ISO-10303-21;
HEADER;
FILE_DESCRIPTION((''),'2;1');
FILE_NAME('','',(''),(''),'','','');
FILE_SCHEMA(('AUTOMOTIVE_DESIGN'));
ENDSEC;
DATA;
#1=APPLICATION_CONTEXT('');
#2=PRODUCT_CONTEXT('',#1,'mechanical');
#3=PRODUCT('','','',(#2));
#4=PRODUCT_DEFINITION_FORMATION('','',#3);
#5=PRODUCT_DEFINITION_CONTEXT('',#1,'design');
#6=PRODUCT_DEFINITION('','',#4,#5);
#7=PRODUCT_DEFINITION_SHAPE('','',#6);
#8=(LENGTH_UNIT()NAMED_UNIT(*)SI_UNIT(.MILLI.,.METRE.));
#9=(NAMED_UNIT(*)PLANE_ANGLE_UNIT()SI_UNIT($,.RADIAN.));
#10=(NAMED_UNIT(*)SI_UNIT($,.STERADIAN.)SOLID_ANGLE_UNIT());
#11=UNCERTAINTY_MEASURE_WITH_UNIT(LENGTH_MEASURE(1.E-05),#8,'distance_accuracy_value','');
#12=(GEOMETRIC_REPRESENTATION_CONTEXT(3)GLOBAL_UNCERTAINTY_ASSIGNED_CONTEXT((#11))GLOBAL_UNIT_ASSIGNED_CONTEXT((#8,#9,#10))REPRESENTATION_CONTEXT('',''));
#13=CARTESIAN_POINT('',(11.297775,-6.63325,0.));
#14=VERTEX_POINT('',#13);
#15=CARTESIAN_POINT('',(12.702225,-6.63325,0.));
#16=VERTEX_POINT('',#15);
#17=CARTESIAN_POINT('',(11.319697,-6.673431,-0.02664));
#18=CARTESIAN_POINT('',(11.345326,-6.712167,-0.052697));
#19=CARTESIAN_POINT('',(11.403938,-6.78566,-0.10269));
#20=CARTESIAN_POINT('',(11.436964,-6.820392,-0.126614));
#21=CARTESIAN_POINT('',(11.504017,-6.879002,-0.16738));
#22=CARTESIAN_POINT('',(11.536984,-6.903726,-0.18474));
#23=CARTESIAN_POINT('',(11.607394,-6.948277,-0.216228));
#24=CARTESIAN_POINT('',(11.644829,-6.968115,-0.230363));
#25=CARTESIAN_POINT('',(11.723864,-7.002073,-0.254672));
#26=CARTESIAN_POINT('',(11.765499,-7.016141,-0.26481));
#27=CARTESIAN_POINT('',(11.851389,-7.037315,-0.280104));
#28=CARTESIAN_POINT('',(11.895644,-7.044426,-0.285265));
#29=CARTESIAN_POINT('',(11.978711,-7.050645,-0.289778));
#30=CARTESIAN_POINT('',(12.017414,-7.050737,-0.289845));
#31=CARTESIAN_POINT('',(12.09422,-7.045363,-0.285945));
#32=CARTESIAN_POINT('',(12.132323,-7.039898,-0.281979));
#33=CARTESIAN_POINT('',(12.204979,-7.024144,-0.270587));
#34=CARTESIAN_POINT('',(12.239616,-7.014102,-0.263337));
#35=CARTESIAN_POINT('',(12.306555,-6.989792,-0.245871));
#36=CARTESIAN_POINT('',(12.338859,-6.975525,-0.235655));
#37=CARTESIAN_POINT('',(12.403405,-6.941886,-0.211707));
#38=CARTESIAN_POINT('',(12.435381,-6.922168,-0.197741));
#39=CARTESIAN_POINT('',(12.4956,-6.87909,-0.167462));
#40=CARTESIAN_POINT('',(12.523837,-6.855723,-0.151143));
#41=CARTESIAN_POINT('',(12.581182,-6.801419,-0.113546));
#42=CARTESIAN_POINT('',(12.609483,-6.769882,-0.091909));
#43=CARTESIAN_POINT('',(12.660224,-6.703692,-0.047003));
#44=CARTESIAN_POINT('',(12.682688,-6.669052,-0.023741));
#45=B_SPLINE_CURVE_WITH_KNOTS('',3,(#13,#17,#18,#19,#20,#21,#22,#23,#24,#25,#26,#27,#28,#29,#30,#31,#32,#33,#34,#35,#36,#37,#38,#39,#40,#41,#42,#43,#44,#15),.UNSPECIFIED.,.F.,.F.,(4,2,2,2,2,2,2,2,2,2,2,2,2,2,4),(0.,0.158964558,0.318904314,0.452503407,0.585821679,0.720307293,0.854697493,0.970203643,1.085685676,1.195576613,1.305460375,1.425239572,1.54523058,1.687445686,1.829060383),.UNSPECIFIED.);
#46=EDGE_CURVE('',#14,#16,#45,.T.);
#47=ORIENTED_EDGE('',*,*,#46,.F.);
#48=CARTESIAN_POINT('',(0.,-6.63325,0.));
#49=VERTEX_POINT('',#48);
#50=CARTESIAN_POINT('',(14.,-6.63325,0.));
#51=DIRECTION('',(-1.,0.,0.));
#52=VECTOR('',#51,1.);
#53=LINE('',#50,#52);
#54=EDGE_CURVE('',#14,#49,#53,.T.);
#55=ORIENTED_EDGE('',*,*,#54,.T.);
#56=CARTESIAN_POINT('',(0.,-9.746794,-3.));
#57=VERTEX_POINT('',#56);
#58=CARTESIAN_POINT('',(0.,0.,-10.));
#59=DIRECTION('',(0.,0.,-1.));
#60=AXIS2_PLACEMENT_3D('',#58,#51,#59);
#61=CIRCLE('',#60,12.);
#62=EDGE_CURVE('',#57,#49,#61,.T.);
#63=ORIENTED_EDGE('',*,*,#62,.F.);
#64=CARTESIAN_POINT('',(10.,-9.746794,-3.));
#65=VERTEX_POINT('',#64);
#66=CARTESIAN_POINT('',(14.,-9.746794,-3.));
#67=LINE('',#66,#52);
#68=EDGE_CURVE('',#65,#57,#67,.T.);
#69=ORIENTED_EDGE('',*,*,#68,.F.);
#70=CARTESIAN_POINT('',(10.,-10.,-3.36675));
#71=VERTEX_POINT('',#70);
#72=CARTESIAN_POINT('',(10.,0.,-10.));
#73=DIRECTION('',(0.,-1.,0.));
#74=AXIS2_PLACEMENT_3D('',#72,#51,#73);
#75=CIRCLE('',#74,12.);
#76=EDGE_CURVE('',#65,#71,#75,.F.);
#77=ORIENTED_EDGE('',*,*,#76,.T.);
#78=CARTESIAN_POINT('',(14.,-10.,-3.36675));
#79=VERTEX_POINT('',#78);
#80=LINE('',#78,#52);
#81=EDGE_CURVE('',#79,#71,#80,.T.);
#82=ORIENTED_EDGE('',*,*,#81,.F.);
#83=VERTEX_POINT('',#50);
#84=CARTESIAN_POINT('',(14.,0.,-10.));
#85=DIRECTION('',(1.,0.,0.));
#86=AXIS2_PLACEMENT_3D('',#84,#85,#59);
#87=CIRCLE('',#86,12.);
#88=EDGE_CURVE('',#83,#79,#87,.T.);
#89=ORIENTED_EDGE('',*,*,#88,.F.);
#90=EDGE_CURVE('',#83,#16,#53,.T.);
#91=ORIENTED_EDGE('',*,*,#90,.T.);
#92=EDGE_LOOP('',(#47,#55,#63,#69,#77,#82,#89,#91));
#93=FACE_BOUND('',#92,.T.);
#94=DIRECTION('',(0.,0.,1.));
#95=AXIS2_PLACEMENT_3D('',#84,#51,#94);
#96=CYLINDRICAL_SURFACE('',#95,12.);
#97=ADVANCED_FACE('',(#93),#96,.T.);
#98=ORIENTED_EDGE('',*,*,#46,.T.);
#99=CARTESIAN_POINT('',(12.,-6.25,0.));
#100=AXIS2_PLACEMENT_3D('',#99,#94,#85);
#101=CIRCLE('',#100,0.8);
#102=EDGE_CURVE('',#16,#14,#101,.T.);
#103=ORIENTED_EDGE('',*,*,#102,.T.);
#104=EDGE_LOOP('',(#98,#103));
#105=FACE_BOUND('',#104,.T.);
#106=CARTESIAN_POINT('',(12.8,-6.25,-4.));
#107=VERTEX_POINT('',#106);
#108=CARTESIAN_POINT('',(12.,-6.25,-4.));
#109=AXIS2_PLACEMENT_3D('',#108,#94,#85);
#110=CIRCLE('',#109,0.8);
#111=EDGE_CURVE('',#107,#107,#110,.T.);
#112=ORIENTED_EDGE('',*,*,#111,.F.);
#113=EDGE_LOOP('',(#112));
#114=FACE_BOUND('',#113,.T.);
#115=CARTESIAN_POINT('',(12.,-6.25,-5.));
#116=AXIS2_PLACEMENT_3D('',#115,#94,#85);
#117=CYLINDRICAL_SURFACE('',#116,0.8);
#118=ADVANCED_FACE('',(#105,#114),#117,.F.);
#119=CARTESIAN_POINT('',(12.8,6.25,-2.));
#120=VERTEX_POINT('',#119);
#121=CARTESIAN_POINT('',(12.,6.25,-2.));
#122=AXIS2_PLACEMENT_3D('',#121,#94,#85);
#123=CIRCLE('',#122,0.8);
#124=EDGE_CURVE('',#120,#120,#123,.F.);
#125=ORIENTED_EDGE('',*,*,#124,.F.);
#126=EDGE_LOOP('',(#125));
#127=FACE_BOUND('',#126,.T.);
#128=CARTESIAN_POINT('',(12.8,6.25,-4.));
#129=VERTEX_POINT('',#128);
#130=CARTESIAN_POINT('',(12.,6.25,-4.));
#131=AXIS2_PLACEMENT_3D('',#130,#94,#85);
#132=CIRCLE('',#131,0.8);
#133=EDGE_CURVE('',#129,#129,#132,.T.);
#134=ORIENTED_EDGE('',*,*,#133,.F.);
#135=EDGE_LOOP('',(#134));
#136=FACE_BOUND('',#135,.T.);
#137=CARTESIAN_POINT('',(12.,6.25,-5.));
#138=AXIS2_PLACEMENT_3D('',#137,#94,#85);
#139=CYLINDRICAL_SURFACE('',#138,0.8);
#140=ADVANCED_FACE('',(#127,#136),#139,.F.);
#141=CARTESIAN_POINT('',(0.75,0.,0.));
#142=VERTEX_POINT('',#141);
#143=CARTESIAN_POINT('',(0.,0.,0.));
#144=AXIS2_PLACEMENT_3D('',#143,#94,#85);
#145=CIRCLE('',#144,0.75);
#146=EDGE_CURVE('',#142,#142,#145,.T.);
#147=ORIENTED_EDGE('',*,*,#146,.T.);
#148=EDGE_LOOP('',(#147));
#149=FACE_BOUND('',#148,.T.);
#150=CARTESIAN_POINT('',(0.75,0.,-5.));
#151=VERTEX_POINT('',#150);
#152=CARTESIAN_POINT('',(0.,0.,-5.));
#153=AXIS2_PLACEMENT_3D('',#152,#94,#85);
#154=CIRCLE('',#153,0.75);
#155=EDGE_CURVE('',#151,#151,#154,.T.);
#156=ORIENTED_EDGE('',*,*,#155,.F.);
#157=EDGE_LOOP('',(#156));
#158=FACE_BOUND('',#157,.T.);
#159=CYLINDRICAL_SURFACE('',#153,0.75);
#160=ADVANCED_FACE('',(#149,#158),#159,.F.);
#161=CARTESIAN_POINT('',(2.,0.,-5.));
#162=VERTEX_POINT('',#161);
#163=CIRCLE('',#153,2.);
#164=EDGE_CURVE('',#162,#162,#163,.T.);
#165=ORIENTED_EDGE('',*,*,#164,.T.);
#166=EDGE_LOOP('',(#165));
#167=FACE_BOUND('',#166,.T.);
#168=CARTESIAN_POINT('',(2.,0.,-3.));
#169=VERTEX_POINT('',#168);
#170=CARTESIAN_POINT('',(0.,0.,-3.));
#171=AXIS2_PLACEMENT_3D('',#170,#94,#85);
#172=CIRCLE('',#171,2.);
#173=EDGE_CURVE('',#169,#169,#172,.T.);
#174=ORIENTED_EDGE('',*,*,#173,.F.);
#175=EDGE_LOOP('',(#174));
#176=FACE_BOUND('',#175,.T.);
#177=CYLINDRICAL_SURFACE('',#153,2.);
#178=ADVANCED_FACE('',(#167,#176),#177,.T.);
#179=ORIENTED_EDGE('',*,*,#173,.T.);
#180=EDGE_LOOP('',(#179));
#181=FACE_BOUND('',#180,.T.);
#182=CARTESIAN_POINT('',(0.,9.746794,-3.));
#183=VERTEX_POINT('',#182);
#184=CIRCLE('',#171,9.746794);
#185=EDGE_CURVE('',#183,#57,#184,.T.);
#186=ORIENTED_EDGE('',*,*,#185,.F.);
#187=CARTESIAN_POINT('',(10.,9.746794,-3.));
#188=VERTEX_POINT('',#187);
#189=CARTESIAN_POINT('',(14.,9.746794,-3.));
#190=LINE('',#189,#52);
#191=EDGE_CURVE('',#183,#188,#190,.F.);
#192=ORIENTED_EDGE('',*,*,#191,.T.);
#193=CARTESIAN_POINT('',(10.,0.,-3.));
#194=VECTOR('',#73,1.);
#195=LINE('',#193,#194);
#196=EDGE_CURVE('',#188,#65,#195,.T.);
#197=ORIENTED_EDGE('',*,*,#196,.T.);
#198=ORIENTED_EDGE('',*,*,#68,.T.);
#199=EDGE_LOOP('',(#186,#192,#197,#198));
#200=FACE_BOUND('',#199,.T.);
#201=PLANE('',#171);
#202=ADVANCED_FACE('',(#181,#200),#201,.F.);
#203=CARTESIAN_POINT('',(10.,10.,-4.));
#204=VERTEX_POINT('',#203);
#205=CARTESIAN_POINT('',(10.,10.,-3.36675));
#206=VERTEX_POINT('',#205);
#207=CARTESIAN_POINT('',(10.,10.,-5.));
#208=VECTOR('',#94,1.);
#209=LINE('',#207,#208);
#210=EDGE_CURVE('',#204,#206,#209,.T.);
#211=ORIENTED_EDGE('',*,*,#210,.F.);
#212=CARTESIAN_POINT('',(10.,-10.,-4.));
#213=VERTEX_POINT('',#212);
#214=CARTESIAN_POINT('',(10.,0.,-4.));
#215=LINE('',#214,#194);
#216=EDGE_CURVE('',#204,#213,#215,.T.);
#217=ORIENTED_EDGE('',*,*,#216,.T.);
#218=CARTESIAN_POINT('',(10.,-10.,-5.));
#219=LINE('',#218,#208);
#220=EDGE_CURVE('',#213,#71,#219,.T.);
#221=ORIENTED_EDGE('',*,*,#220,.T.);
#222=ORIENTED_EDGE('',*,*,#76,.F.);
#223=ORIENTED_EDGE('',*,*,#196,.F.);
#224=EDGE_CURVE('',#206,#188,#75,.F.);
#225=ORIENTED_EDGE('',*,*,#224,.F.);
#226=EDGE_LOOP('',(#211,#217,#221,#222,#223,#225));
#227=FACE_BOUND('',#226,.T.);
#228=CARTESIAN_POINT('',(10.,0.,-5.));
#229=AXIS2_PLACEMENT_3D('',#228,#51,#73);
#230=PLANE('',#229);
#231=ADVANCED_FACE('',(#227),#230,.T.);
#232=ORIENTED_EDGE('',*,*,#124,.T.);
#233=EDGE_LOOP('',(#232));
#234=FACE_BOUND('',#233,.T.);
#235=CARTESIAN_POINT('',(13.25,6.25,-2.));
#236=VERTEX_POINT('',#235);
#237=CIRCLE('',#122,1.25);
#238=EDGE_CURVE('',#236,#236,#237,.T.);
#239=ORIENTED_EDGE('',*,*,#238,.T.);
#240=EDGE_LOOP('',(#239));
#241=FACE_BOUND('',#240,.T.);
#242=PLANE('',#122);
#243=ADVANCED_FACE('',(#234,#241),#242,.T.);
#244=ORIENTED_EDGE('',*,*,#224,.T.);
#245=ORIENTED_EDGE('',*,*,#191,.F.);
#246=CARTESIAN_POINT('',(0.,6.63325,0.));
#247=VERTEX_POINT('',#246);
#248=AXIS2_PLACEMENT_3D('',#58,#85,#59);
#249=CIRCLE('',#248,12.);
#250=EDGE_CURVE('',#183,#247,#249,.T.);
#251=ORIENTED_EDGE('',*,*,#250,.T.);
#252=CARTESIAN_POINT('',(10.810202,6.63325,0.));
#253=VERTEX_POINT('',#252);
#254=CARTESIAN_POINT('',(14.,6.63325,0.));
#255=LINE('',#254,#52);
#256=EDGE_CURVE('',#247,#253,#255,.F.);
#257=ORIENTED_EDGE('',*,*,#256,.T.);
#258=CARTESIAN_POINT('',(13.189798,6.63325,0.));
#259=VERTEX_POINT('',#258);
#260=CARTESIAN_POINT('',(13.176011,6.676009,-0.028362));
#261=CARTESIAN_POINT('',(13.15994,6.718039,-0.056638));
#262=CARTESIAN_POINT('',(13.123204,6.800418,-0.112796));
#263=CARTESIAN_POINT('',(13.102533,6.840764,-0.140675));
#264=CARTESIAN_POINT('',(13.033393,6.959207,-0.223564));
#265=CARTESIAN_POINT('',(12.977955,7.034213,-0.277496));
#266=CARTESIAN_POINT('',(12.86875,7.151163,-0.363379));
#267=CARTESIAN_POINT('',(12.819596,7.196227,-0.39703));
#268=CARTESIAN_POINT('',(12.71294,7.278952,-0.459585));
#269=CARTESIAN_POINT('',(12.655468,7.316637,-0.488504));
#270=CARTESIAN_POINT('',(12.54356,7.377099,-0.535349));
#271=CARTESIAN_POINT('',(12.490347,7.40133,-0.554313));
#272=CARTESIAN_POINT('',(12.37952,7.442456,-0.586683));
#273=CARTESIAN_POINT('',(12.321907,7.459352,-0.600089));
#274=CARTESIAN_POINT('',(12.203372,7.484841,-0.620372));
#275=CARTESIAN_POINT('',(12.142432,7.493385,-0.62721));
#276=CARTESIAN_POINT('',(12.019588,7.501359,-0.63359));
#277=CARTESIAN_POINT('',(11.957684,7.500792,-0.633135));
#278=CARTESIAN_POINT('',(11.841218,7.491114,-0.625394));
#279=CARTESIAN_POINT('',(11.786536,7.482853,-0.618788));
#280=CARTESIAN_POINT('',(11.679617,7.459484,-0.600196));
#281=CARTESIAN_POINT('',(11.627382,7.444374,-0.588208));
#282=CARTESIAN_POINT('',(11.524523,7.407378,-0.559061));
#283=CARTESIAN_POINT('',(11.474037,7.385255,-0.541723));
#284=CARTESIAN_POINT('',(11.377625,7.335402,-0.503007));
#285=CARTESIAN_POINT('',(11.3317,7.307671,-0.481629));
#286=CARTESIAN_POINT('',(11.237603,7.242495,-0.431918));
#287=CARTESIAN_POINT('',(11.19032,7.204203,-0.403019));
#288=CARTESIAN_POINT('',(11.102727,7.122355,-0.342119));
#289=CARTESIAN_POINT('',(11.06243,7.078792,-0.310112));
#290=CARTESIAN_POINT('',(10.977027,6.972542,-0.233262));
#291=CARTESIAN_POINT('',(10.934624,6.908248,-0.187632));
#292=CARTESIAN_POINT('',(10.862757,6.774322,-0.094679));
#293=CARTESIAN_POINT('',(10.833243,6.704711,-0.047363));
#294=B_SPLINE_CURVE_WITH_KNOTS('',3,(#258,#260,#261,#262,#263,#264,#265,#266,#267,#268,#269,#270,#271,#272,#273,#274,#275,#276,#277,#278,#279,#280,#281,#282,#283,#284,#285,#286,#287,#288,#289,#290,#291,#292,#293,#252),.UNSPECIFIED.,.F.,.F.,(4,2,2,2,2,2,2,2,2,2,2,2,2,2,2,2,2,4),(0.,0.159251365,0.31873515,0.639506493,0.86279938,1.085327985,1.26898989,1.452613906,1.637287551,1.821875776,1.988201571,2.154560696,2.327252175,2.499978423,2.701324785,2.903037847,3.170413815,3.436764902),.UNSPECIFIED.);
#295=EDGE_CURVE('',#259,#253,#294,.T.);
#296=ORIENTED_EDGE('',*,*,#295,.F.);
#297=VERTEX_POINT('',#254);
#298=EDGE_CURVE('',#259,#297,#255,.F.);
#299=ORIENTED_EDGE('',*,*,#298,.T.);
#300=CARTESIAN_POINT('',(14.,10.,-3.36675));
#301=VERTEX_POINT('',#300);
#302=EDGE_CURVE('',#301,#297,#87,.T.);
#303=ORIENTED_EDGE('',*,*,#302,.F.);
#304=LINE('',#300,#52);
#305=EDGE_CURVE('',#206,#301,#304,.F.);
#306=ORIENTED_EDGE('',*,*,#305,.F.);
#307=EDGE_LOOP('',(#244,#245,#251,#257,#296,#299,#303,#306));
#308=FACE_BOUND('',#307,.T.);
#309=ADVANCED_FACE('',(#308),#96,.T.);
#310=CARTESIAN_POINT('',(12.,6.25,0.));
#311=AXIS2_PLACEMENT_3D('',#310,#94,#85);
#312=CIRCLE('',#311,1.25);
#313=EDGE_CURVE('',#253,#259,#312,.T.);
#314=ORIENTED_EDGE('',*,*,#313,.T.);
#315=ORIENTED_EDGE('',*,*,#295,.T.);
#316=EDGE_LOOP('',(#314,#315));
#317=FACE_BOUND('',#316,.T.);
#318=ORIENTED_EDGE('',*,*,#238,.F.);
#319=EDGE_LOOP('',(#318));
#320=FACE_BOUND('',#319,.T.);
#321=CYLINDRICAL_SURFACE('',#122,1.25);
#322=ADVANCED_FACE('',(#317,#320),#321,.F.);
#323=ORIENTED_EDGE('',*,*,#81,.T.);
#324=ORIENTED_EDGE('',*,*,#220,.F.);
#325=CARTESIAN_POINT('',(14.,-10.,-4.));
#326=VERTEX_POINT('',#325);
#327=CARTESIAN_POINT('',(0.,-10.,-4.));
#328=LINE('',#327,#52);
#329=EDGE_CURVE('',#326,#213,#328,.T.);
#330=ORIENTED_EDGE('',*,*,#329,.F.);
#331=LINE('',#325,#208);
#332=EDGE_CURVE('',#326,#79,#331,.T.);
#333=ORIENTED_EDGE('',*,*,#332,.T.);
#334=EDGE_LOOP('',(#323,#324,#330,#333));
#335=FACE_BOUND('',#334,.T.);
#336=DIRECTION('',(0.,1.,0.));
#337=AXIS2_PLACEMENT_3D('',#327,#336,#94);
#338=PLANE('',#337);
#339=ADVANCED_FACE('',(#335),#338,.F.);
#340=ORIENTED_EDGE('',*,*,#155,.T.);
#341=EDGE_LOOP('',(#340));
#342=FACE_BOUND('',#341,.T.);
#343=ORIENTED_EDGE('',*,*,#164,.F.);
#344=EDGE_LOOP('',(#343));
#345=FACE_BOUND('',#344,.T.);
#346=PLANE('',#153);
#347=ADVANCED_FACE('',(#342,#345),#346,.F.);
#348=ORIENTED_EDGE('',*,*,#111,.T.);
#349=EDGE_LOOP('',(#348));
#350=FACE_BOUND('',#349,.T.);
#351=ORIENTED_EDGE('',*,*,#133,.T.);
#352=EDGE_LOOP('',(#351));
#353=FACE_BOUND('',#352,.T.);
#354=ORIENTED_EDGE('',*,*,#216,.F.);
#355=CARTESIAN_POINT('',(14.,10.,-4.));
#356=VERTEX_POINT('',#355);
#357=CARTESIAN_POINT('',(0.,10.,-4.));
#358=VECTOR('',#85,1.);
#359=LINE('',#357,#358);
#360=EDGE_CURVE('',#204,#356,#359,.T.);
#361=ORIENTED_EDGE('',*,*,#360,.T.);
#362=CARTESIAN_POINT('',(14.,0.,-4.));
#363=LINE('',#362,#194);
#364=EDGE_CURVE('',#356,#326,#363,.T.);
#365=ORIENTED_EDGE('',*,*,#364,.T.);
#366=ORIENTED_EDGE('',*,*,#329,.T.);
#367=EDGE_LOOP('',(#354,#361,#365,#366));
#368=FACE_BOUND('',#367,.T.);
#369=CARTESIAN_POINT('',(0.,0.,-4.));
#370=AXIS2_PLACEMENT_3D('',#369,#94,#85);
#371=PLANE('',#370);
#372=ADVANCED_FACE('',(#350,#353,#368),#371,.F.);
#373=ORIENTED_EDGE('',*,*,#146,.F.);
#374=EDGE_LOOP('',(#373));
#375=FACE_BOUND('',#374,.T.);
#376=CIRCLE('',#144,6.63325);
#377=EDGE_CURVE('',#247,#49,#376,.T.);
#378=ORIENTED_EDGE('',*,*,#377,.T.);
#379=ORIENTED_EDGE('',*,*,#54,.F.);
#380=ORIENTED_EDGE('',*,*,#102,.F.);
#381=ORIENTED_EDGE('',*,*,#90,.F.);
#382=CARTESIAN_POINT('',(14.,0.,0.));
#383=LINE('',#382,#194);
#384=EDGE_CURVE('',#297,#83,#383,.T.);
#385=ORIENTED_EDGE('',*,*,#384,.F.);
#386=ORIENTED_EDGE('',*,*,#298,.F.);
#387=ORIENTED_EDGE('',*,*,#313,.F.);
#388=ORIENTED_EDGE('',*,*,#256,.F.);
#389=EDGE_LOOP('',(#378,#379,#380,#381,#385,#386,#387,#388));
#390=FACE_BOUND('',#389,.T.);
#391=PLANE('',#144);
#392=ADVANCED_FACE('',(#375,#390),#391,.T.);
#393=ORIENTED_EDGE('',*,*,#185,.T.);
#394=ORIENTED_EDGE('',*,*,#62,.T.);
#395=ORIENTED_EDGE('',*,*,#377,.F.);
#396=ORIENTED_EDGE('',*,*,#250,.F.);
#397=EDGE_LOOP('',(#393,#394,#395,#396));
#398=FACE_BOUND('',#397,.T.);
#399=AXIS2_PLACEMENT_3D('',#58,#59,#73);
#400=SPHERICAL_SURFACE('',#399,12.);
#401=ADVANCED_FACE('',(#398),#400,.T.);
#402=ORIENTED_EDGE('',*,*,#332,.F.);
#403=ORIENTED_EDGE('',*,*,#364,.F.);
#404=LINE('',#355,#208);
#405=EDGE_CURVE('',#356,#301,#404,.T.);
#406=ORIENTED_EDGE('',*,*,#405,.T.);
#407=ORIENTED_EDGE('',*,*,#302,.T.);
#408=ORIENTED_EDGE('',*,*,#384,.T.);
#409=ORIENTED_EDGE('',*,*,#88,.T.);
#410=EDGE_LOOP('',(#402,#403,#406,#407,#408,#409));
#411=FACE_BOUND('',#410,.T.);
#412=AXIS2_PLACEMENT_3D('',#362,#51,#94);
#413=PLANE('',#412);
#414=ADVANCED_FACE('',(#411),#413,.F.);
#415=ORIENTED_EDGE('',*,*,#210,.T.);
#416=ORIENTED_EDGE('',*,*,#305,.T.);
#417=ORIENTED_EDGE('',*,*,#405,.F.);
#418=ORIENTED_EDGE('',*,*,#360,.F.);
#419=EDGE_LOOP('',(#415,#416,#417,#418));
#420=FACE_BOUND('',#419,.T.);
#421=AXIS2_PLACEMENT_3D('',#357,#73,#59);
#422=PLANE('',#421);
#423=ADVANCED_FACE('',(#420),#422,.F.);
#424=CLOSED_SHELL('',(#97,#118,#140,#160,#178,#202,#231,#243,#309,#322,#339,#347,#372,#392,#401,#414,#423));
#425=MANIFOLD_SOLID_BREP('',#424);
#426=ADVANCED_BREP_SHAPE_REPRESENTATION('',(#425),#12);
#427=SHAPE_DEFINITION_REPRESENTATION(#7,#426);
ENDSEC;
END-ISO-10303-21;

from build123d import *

# Parameters (mm, degrees)
SKETCH1_R           = 10
BOSS_EXTRUDE1_DEPTH = 4
BODY_START          = -3
SKETCH2_R           = 10
BODY_HOLE_DEPTH     = 2
BOSS_EXTRUDE2_START = -3
SKETCH11_R          = 2
BOSS_EXTRUDE2_DEPTH = 2
SKETCH4_R           = 0.75
CUT_EXTRUDE2_DEPTH  = 6
SKETCH3_R           = 0.8
SCREW_HOLES_DEPTH   = 6
SKETCH6_R           = 1.25
SCREW_HEADS_DEPTH   = 2
CUT_REVOLVE1_ANGLE  = 180
CUT_EXTRUDE1_DEPTH  = 15.000000004


with BuildPart() as part:
    # Sketch1 → Boss-Extrude1 (new body)
    with BuildSketch(Plane.XY):
        with Locations((4e-09, 0)):
            Circle(SKETCH1_R)
        with BuildLine():
            Line((14.000000004, 10), (4e-09, 10))
            ThreePointArc((4e-09, 10), (7.071067816, 7.071067812), (10.000000004, 0))
            ThreePointArc((10.000000004, 0), (7.071067816, -7.071067812), (4e-09, -10))
            Line((4e-09, -10), (14.000000004, -10))
            Line((14.000000004, -10), (14.000000004, 10))
        make_face()
    extrude(amount=-BOSS_EXTRUDE1_DEPTH)

    # Sketch2 → Body Hole (cut)
    with BuildSketch(Plane.XY.offset(BODY_START)):
        with Locations((4e-09, 0)):
            Circle(SKETCH2_R)
        with BuildLine():
            Line((10.000000004, 10), (4e-09, 10))
            ThreePointArc((4e-09, 10), (7.071067816, 7.071067812), (10.000000004, 0))
            Line((10.000000004, 0), (10.000000004, 10))
        make_face()
        with BuildLine():
            Line((10.000000004, -10), (10.000000004, 0))
            ThreePointArc((10.000000004, 0), (7.071067814, -7.071067813), (0, -10))
            Line((0, -10), (10.000000004, -10))
        make_face()
    extrude(amount=-BODY_HOLE_DEPTH, mode=Mode.SUBTRACT)

    # Sketch11 → Boss-Extrude2 (add)
    with BuildSketch(Plane.XY.offset(BOSS_EXTRUDE2_START)):
        with Locations((4e-09, 0)):
            Circle(SKETCH11_R)
    extrude(amount=-BOSS_EXTRUDE2_DEPTH)

    # Sketch4 → Cut-Extrude2 (cut, through all)
    with BuildSketch(Plane.XY):
        with Locations((4e-09, 0)):
            Circle(SKETCH4_R)
    extrude(amount=-CUT_EXTRUDE2_DEPTH, mode=Mode.SUBTRACT)

    # Sketch3 → Screw Holes (cut, through all)
    with BuildSketch(Plane.XY):
        with Locations((12.000000004, 6.25)):
            Circle(SKETCH3_R)
        with Locations((12.000000004, -6.25)):
            Circle(SKETCH3_R)
    extrude(amount=-SCREW_HOLES_DEPTH, mode=Mode.SUBTRACT)

    # Sketch6 → Screw Heads (cut)
    with BuildSketch(Plane.XY):
        with Locations((12.000000004, 6.25)):
            Circle(SKETCH6_R)
    extrude(amount=-SCREW_HEADS_DEPTH, mode=Mode.SUBTRACT)

    # Sketch9 → Cut-Revolve1 (revolve, cut)
    with BuildSketch(Plane(origin=(0, 0, 0), x_dir=(0, 0, -1), z_dir=(1, 0, 0))):
        with BuildLine():
            Line((-2, 12), (-2, 2.75))
            Line((-2, 2.75), (-1.680646386, 2.75))
            ThreePointArc((-1.680646386, 2.75), (2.550167787, 9.407443861), (10, 12))
            Line((10, 12), (-2, 12))
        make_face()
    revolve(axis=Axis((0, 0, 0), (0, 0, 1)), revolution_arc=CUT_REVOLVE1_ANGLE, mode=Mode.SUBTRACT)

    # Sketch10 → Cut-Extrude1 (cut, through all)
    with BuildSketch(Plane(origin=(0, 0, 0), x_dir=(0, 0, -1), z_dir=(1, 0, 0))):
        with BuildLine():
            ThreePointArc((10, 12), (1.514718626, 8.485281374), (-2, 0))
            Line((-2, 0), (-2, 12))
            Line((-2, 12), (10, 12))
        make_face()
        with BuildLine():
            ThreePointArc((-2, 0), (1.514718626, -8.485281374), (10, -12))
            Line((10, -12), (-2, -12))
            Line((-2, -12), (-2, 0))
        make_face()
    extrude(amount=CUT_EXTRUDE1_DEPTH, mode=Mode.SUBTRACT)


solid = part.part
